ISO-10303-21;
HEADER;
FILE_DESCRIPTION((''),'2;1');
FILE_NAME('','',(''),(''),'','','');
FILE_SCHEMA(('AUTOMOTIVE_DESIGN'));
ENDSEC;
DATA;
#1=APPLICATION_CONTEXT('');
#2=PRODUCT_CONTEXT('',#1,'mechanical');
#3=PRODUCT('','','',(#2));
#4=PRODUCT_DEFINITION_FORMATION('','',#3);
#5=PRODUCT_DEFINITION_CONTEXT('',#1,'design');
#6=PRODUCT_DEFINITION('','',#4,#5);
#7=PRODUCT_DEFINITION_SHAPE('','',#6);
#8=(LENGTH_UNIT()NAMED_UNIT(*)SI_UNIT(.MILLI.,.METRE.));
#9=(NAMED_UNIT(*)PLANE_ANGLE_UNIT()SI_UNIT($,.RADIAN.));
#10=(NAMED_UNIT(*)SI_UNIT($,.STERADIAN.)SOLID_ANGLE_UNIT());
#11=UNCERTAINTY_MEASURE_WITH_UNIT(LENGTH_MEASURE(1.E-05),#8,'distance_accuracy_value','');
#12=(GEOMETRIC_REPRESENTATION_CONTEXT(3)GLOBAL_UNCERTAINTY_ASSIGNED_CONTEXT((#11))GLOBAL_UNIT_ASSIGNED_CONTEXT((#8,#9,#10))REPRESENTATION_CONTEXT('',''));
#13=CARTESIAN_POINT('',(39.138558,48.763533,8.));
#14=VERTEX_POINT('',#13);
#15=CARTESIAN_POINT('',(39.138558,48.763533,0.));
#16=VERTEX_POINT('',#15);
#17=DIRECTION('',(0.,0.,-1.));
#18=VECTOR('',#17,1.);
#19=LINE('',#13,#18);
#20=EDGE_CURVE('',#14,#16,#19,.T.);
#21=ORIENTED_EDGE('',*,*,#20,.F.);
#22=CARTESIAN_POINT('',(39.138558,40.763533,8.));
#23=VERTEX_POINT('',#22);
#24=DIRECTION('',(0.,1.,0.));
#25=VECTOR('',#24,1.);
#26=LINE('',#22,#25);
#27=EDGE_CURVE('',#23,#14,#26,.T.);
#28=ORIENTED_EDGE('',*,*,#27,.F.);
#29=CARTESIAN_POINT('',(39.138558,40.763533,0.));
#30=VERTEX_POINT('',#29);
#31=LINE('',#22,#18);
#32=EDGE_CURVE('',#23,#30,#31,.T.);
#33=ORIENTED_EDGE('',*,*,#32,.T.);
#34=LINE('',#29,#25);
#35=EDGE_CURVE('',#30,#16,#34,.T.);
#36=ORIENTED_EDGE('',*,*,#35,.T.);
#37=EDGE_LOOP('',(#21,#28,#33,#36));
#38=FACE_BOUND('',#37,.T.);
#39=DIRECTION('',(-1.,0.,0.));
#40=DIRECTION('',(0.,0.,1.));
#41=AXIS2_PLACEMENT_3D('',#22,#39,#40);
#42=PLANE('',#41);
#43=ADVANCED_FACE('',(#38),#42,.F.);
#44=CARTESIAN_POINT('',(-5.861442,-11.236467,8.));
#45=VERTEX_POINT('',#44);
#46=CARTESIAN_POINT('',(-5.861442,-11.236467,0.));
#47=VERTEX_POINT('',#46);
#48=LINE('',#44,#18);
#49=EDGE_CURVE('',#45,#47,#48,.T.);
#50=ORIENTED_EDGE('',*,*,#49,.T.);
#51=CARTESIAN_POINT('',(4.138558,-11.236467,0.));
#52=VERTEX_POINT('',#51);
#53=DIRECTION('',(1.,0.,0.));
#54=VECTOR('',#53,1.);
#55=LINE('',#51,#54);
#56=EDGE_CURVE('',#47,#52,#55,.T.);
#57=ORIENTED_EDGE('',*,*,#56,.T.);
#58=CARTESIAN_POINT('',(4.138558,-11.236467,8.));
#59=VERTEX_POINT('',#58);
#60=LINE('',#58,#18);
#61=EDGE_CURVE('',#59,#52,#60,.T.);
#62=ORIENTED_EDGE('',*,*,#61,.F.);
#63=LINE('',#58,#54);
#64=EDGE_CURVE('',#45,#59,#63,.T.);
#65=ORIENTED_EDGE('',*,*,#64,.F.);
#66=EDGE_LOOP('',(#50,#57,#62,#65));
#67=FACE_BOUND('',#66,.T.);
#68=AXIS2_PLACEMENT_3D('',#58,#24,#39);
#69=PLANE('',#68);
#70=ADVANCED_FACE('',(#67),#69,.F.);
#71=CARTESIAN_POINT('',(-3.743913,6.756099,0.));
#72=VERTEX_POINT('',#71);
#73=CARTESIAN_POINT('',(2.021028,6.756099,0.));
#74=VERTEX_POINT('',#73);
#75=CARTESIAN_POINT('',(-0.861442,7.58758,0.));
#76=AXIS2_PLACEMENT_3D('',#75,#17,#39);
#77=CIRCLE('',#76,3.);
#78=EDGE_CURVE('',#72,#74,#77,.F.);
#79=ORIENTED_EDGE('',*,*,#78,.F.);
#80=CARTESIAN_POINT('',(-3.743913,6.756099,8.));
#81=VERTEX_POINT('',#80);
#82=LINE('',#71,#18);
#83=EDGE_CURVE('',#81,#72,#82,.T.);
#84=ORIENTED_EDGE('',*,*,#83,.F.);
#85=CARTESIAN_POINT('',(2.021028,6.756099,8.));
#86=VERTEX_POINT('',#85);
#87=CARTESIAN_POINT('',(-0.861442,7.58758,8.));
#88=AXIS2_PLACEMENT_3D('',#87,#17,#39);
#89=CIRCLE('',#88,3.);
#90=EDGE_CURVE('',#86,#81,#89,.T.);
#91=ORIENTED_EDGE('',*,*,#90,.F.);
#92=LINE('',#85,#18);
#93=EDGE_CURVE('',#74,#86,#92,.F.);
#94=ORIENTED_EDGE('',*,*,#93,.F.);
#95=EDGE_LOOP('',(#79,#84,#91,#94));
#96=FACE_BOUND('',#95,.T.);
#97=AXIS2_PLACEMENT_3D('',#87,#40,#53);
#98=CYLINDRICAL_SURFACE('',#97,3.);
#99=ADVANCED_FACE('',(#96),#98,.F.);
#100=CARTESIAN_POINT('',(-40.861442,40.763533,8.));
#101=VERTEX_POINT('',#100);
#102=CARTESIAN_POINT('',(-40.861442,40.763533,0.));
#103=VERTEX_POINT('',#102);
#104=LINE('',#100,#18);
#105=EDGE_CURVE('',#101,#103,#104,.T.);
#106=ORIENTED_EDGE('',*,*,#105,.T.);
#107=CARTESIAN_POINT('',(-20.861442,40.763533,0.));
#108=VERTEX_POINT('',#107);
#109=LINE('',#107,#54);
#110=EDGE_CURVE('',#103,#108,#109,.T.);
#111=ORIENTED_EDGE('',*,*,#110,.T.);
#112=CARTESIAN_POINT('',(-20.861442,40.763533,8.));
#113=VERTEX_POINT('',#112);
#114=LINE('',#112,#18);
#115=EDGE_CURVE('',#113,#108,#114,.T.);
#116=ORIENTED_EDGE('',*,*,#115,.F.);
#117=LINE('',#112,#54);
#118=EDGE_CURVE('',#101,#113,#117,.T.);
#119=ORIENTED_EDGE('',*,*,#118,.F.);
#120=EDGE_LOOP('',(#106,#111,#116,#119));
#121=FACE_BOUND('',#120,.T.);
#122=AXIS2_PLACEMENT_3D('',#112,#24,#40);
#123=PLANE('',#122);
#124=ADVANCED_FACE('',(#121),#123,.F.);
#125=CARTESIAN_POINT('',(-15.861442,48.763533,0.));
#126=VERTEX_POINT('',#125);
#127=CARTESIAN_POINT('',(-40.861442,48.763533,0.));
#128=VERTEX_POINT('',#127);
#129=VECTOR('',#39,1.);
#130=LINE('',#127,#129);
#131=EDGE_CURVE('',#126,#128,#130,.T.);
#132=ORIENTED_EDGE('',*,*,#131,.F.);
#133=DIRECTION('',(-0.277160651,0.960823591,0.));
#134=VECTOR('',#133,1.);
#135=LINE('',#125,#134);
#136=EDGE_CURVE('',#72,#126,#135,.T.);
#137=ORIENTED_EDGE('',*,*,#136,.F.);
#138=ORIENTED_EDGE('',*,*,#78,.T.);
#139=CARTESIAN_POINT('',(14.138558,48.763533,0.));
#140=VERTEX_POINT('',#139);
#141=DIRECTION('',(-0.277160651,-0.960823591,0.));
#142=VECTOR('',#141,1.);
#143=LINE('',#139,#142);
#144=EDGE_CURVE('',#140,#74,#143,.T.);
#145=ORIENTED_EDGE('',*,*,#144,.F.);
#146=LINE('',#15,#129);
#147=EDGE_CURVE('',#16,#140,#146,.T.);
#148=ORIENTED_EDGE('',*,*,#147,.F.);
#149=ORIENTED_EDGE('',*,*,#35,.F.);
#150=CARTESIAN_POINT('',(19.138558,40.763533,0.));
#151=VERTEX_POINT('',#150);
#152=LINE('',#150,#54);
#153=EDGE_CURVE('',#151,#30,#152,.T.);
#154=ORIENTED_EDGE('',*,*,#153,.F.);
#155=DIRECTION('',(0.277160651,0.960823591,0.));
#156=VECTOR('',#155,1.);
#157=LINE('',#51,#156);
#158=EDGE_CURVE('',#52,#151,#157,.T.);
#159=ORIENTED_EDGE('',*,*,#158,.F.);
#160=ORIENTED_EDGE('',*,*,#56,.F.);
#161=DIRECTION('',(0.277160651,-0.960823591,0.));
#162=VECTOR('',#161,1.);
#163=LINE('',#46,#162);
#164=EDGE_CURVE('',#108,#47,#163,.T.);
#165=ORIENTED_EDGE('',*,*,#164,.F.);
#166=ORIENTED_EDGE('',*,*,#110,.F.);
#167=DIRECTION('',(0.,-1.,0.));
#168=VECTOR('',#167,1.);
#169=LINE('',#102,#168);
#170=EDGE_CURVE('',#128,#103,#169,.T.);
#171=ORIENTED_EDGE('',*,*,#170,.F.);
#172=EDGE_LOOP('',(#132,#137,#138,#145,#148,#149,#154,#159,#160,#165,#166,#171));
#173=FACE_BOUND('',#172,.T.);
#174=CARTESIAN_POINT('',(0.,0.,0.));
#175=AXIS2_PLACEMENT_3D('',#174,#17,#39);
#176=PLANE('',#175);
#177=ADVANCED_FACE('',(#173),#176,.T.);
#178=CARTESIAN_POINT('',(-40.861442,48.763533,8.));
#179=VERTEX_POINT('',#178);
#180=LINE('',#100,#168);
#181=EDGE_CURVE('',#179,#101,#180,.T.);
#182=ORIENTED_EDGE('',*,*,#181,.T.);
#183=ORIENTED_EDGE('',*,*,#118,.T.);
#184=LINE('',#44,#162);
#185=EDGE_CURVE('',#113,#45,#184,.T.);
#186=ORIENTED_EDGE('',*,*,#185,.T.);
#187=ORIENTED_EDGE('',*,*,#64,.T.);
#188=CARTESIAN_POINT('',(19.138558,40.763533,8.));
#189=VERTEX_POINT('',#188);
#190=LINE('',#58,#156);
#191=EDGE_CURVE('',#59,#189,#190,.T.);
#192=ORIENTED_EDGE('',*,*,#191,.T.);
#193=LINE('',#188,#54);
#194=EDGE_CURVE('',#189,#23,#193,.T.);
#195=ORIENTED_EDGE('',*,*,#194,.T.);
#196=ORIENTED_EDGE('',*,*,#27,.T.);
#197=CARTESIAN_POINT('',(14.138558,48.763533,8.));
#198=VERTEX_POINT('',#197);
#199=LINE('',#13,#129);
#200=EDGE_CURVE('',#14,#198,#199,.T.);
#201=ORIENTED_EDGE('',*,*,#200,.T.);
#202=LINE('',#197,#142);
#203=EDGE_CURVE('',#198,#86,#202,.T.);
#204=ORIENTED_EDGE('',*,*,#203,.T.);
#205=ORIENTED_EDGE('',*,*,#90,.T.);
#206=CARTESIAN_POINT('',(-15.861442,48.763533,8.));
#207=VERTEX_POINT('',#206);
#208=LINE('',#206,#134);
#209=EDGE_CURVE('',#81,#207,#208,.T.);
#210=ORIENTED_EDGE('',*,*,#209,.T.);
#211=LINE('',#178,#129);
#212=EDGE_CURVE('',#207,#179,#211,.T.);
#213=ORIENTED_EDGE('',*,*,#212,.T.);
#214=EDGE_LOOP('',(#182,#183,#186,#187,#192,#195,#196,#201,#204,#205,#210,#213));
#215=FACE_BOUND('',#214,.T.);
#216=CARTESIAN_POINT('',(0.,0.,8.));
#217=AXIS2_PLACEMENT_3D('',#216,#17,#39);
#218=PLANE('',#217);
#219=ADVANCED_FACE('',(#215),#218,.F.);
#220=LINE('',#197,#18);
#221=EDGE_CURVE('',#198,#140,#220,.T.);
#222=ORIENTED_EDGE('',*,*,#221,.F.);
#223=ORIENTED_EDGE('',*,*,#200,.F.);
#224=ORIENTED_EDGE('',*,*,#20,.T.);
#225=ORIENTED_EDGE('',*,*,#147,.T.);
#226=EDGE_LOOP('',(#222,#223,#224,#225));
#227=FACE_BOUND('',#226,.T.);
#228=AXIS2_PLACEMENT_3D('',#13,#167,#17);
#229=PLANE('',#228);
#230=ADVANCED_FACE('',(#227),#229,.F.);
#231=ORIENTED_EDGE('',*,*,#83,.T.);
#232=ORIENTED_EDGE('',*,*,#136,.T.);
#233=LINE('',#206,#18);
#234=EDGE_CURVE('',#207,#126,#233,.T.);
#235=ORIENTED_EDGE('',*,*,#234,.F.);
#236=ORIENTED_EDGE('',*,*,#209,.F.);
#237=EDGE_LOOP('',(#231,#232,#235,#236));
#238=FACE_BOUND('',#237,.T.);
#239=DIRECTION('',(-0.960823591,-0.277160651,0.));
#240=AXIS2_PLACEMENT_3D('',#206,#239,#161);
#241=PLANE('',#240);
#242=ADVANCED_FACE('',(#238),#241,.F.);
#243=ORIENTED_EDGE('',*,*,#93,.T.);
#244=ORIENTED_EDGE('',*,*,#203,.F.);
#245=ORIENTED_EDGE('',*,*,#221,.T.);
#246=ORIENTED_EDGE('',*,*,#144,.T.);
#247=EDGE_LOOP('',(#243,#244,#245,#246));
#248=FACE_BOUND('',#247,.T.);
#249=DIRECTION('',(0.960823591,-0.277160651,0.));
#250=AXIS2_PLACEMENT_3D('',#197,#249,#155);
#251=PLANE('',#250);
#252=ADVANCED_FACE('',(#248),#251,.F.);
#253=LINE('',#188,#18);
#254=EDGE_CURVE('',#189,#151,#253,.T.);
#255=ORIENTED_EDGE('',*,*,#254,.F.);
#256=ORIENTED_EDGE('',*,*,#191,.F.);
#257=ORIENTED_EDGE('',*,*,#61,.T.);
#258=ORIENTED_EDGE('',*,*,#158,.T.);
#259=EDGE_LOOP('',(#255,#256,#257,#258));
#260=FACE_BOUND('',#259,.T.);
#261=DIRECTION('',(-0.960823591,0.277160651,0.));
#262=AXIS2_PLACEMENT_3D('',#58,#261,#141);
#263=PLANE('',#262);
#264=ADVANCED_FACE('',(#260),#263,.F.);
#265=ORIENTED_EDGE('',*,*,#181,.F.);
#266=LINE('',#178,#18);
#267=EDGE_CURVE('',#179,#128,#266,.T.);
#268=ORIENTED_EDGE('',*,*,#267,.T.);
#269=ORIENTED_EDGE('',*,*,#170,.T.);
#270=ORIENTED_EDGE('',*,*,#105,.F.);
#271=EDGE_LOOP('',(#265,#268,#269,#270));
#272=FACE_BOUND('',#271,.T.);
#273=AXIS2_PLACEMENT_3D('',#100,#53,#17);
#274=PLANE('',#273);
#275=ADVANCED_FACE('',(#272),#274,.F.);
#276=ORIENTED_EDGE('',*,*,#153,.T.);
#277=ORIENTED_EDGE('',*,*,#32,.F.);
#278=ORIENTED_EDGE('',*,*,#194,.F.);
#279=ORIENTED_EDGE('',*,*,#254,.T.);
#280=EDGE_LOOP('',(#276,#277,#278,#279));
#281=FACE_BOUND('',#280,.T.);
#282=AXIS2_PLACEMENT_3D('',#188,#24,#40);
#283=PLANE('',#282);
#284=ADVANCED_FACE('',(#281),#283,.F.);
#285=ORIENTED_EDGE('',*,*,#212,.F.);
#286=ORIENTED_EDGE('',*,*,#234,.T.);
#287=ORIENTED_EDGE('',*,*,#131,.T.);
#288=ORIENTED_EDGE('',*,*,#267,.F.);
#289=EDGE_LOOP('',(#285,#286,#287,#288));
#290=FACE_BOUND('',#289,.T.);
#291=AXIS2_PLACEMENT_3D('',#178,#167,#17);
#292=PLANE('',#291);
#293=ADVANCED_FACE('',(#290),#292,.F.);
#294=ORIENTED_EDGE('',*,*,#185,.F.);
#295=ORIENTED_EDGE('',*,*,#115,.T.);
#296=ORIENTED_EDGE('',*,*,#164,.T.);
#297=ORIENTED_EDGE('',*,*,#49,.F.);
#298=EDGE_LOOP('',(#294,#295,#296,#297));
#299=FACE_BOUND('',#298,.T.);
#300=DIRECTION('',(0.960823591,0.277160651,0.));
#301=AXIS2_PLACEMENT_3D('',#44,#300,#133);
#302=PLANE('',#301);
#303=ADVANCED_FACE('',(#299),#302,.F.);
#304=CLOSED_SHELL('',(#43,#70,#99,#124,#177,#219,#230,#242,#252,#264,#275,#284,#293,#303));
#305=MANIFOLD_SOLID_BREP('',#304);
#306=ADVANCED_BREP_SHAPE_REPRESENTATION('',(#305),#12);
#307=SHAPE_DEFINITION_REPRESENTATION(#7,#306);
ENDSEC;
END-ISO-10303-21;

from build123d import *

# Parameters (mm, degrees)
BOSS_EXTRU_1_DEPTH = 8
CONG_1_R           = 3


with BuildPart() as part:
    # Esquisse1 → Boss.-Extru.1 (new body)
    with BuildSketch(Plane.XY):
        Polygon((-40.861442373, 48.763533187), (-15.861442373, 48.763533187), (-0.861442373, -3.236466813), (14.138557627, 48.763533187), (39.138557627, 48.763533187), (39.138557627, 40.763533187), (19.138557627, 40.763533187), (4.138557627, -11.236466813), (-5.861442373, -11.236466813), (-20.861442373, 40.763533187), (-40.861442373, 40.763533187), align=None)
    extrude(amount=BOSS_EXTRU_1_DEPTH)

    # Congé1
    cong_1_edges = [part.edges().sort_by_distance(p)[0] for p in [
        (-0.861442373, -3.236466813, 4),
    ]]
    fillet(cong_1_edges, radius=CONG_1_R)


solid = part.part
